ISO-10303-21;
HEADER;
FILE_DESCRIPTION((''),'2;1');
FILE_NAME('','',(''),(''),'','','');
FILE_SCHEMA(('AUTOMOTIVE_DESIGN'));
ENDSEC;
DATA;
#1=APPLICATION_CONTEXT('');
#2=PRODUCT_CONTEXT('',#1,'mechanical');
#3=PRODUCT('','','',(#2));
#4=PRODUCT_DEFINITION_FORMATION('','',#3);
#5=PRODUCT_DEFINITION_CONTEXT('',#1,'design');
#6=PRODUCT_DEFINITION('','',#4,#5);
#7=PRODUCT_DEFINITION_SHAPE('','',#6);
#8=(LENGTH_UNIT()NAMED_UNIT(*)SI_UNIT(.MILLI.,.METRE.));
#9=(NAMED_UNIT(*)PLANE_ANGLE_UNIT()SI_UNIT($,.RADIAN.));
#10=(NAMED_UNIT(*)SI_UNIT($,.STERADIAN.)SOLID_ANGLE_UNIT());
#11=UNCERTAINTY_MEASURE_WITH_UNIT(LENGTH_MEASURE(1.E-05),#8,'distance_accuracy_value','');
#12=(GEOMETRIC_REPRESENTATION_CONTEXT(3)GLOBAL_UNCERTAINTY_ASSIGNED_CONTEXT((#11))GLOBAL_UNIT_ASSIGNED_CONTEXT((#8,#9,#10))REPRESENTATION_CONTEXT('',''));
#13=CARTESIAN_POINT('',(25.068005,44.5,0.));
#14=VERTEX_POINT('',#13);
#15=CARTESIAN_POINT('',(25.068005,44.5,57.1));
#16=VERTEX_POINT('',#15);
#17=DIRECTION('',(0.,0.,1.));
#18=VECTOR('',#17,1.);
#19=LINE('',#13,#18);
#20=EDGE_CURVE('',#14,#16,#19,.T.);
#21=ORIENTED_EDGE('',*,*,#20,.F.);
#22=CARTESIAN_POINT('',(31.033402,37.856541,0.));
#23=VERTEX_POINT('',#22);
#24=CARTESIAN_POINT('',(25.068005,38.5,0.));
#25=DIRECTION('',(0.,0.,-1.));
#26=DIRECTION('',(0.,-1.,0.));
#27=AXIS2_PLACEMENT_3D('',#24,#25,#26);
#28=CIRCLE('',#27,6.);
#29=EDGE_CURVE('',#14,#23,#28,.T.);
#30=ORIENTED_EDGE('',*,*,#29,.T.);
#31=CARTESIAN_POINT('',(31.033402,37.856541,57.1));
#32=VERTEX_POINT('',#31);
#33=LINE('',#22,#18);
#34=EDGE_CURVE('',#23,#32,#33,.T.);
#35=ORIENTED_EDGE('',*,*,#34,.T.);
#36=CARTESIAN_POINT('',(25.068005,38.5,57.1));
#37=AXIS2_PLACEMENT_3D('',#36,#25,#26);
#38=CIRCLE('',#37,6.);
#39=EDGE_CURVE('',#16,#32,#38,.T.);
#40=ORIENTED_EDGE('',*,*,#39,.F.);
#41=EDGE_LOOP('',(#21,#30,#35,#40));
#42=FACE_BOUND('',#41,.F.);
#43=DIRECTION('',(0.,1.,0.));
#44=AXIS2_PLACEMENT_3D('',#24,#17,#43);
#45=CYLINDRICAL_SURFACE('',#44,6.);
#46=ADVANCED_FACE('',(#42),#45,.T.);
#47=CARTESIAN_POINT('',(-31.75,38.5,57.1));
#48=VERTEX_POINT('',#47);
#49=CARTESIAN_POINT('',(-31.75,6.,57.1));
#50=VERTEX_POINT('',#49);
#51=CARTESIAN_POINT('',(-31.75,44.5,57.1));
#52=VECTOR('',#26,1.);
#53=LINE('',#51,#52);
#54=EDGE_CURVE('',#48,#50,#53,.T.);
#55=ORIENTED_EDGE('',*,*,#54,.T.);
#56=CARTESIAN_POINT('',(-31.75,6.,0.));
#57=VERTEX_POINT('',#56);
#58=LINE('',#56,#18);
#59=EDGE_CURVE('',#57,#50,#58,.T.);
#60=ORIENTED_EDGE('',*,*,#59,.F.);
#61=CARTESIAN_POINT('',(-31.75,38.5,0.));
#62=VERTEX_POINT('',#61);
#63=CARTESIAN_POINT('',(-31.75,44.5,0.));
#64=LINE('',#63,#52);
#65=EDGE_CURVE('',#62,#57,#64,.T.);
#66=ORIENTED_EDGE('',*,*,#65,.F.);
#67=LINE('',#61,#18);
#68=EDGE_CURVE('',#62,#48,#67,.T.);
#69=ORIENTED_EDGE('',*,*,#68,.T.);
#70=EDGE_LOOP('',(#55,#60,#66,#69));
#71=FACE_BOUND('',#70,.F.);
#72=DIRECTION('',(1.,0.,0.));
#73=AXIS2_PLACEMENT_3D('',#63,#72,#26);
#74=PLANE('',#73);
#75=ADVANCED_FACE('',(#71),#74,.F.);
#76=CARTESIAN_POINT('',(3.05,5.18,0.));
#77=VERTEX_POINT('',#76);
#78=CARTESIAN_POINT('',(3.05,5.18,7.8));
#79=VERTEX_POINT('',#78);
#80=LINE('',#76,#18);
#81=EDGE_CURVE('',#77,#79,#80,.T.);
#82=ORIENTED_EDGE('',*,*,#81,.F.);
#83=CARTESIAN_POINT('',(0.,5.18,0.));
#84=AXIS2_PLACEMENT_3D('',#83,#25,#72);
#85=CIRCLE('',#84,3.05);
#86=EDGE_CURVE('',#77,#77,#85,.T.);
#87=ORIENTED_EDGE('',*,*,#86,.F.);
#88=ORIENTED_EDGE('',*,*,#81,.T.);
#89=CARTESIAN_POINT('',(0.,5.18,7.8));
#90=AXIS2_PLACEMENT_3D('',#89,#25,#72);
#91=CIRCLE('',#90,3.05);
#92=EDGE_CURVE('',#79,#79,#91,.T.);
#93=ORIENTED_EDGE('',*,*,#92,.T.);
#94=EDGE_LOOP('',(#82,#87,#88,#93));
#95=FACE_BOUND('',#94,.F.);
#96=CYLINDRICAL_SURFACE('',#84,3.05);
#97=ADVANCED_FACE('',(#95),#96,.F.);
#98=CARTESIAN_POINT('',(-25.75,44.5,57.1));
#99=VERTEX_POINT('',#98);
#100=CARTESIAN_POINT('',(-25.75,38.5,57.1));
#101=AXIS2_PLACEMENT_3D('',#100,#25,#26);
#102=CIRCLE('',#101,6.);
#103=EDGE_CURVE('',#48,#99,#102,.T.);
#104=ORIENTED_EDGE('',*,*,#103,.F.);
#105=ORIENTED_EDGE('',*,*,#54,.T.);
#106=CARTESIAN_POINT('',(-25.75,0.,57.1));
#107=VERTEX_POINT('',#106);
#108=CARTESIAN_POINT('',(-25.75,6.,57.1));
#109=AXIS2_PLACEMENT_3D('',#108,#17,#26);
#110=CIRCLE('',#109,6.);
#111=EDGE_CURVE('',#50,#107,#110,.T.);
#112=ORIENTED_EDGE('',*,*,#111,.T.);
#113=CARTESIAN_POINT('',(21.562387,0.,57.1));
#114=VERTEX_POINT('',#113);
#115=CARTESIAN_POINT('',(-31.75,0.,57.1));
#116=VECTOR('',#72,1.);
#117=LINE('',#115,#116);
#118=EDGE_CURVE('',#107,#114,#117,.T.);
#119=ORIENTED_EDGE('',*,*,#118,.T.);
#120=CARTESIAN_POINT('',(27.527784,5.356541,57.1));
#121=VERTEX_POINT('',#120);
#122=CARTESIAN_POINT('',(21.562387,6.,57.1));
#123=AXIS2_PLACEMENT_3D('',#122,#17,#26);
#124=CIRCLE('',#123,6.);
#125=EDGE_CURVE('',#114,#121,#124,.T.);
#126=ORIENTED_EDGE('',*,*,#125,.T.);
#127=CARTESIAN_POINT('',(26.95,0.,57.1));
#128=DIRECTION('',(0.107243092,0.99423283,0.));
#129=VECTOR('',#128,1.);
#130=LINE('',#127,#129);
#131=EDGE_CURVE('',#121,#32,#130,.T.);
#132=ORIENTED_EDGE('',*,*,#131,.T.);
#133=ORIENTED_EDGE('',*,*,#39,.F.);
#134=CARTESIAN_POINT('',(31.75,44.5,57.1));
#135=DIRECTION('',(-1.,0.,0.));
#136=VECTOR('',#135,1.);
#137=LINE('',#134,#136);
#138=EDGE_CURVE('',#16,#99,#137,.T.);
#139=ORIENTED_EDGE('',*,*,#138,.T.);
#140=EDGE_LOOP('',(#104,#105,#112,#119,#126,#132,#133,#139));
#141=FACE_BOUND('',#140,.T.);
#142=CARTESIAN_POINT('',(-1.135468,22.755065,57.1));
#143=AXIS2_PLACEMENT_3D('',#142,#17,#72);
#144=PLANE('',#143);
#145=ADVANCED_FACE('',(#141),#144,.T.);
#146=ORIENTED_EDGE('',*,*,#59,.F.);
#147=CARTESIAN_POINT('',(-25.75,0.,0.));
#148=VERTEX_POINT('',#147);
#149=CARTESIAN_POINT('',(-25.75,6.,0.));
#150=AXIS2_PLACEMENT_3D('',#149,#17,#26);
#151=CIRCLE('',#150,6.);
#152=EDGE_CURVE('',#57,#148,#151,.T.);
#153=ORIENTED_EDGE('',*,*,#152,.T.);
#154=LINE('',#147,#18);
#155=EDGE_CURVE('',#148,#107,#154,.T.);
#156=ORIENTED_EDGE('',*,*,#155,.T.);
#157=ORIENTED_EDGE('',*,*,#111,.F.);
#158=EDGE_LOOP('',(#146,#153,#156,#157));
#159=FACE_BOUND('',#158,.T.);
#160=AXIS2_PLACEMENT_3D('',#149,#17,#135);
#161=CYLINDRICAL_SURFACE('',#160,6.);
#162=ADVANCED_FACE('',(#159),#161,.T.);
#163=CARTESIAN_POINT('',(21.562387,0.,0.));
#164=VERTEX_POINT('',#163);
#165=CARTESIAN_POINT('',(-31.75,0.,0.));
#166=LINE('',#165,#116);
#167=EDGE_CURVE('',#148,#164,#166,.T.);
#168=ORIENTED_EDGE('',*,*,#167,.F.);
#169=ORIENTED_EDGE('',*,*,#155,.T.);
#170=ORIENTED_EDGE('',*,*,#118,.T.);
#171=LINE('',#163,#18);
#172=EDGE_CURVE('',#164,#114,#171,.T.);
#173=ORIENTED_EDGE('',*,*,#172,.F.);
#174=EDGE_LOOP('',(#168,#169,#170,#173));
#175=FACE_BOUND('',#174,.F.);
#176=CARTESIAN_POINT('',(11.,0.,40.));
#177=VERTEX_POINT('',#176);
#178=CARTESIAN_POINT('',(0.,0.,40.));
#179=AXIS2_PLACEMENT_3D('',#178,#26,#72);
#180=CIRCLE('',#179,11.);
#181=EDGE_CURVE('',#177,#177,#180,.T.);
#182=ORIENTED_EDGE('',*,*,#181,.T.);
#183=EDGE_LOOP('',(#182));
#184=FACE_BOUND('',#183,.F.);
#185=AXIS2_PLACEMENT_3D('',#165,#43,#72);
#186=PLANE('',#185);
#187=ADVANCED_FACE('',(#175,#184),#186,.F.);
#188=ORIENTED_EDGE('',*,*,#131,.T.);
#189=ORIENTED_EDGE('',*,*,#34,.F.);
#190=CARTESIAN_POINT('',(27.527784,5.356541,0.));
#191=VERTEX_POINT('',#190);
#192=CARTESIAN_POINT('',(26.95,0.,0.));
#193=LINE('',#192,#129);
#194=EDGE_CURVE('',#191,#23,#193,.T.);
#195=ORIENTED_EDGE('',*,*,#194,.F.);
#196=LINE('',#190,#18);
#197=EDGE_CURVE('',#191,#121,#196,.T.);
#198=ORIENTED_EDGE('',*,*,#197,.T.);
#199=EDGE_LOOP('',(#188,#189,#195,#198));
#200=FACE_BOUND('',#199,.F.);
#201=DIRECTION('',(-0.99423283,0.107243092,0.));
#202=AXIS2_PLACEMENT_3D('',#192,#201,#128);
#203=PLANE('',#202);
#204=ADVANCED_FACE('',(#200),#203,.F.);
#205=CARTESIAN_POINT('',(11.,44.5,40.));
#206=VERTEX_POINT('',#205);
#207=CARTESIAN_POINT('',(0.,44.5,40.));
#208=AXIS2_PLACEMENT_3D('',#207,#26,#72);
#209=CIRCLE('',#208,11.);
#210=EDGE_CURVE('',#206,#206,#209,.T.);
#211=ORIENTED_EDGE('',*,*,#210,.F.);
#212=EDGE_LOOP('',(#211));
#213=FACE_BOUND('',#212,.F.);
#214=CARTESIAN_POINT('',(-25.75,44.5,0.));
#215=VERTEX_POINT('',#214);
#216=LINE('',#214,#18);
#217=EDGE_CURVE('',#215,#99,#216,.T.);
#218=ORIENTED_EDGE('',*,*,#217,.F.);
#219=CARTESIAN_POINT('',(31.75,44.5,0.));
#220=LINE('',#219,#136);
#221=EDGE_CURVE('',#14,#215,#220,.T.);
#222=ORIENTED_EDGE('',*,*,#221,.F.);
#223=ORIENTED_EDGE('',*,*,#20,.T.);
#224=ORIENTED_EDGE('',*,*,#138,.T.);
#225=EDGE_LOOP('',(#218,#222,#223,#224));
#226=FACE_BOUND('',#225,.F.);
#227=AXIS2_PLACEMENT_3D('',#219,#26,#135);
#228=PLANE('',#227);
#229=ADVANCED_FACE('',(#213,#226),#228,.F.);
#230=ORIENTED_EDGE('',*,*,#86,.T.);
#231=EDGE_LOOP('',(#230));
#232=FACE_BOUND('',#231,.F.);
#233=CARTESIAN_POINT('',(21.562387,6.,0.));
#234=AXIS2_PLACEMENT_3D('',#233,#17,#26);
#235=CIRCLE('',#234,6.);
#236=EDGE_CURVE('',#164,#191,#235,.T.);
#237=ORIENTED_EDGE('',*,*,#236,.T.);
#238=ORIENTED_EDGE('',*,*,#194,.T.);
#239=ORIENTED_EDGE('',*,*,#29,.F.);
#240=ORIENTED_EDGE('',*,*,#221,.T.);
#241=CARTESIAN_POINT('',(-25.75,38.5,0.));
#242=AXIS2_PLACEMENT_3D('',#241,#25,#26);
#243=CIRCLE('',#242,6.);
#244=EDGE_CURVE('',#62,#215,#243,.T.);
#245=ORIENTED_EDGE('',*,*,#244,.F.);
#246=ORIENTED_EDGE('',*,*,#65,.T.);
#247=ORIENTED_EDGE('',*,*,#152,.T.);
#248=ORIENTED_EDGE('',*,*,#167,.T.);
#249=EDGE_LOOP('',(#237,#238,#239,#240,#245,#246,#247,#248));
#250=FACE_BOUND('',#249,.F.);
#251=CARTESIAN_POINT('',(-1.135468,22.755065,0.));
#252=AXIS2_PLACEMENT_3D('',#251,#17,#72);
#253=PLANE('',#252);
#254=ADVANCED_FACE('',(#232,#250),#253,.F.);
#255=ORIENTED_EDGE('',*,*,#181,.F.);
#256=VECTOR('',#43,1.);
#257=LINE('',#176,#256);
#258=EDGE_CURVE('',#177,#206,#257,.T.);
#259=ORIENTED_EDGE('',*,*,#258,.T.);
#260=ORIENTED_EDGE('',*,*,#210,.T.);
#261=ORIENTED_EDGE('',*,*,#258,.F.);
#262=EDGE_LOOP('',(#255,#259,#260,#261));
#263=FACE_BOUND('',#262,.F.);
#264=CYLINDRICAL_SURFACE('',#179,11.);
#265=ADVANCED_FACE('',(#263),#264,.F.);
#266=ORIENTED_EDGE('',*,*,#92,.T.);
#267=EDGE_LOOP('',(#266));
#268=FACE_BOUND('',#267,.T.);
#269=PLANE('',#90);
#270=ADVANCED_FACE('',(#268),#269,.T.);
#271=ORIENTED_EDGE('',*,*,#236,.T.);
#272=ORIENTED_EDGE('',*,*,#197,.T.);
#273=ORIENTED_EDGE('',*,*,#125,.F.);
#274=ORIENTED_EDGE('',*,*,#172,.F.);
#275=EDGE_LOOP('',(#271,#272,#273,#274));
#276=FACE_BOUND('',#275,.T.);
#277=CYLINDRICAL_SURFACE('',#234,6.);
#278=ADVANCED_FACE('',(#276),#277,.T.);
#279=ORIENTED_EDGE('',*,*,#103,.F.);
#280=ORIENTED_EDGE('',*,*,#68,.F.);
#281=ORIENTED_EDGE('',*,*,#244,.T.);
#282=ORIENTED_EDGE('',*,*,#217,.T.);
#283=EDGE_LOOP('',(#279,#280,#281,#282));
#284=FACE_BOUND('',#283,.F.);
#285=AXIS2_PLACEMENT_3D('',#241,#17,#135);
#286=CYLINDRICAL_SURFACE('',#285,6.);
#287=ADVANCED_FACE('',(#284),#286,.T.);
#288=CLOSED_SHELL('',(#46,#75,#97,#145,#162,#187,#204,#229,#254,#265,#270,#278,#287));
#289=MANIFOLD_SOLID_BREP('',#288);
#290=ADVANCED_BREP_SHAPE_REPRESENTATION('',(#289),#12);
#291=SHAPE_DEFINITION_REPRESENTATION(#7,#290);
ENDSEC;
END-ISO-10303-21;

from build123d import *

# Parameters (mm, degrees)
F1_DEPTH = 57.1
F2_R     = 11
F3_DEPTH = 44.5
F4_R     = 3.05
F5_DEPTH = 7.8
F6_R     = 6


with BuildPart() as f1:
    # F0 (on Top) → F1 (new body)
    with BuildSketch(Plane.XY):
        Polygon((-31.75, 44.5), (-31.75, 0), (26.95, 0), (31.75, 44.5), align=None)
    extrude(amount=F1_DEPTH)

    # F2 (on face) → F3 (cut, through all)
    with BuildSketch(Plane.XZ):
        with Locations((0, 40)):
            Circle(F2_R)
    extrude(amount=-F3_DEPTH, mode=Mode.SUBTRACT)

    # F4 (on face) → F5 (cut)
    with BuildSketch(Plane(origin=(0, 0, 0), x_dir=(1, 0, 0), z_dir=(0, 0, -1))):
        with Locations((0, -5.18)):
            Circle(F4_R)
    extrude(amount=-F5_DEPTH, mode=Mode.SUBTRACT)

    # F6
    f6_edges = [f1.edges().sort_by_distance(p)[0] for p in [
        (-31.75, 0, 28.55),
        (-31.75, 44.5, 28.55),
        (26.95, 0, 28.55),
        (31.75, 44.5, 28.55),
    ]]
    fillet(f6_edges, radius=F6_R)


solid = f1.part
